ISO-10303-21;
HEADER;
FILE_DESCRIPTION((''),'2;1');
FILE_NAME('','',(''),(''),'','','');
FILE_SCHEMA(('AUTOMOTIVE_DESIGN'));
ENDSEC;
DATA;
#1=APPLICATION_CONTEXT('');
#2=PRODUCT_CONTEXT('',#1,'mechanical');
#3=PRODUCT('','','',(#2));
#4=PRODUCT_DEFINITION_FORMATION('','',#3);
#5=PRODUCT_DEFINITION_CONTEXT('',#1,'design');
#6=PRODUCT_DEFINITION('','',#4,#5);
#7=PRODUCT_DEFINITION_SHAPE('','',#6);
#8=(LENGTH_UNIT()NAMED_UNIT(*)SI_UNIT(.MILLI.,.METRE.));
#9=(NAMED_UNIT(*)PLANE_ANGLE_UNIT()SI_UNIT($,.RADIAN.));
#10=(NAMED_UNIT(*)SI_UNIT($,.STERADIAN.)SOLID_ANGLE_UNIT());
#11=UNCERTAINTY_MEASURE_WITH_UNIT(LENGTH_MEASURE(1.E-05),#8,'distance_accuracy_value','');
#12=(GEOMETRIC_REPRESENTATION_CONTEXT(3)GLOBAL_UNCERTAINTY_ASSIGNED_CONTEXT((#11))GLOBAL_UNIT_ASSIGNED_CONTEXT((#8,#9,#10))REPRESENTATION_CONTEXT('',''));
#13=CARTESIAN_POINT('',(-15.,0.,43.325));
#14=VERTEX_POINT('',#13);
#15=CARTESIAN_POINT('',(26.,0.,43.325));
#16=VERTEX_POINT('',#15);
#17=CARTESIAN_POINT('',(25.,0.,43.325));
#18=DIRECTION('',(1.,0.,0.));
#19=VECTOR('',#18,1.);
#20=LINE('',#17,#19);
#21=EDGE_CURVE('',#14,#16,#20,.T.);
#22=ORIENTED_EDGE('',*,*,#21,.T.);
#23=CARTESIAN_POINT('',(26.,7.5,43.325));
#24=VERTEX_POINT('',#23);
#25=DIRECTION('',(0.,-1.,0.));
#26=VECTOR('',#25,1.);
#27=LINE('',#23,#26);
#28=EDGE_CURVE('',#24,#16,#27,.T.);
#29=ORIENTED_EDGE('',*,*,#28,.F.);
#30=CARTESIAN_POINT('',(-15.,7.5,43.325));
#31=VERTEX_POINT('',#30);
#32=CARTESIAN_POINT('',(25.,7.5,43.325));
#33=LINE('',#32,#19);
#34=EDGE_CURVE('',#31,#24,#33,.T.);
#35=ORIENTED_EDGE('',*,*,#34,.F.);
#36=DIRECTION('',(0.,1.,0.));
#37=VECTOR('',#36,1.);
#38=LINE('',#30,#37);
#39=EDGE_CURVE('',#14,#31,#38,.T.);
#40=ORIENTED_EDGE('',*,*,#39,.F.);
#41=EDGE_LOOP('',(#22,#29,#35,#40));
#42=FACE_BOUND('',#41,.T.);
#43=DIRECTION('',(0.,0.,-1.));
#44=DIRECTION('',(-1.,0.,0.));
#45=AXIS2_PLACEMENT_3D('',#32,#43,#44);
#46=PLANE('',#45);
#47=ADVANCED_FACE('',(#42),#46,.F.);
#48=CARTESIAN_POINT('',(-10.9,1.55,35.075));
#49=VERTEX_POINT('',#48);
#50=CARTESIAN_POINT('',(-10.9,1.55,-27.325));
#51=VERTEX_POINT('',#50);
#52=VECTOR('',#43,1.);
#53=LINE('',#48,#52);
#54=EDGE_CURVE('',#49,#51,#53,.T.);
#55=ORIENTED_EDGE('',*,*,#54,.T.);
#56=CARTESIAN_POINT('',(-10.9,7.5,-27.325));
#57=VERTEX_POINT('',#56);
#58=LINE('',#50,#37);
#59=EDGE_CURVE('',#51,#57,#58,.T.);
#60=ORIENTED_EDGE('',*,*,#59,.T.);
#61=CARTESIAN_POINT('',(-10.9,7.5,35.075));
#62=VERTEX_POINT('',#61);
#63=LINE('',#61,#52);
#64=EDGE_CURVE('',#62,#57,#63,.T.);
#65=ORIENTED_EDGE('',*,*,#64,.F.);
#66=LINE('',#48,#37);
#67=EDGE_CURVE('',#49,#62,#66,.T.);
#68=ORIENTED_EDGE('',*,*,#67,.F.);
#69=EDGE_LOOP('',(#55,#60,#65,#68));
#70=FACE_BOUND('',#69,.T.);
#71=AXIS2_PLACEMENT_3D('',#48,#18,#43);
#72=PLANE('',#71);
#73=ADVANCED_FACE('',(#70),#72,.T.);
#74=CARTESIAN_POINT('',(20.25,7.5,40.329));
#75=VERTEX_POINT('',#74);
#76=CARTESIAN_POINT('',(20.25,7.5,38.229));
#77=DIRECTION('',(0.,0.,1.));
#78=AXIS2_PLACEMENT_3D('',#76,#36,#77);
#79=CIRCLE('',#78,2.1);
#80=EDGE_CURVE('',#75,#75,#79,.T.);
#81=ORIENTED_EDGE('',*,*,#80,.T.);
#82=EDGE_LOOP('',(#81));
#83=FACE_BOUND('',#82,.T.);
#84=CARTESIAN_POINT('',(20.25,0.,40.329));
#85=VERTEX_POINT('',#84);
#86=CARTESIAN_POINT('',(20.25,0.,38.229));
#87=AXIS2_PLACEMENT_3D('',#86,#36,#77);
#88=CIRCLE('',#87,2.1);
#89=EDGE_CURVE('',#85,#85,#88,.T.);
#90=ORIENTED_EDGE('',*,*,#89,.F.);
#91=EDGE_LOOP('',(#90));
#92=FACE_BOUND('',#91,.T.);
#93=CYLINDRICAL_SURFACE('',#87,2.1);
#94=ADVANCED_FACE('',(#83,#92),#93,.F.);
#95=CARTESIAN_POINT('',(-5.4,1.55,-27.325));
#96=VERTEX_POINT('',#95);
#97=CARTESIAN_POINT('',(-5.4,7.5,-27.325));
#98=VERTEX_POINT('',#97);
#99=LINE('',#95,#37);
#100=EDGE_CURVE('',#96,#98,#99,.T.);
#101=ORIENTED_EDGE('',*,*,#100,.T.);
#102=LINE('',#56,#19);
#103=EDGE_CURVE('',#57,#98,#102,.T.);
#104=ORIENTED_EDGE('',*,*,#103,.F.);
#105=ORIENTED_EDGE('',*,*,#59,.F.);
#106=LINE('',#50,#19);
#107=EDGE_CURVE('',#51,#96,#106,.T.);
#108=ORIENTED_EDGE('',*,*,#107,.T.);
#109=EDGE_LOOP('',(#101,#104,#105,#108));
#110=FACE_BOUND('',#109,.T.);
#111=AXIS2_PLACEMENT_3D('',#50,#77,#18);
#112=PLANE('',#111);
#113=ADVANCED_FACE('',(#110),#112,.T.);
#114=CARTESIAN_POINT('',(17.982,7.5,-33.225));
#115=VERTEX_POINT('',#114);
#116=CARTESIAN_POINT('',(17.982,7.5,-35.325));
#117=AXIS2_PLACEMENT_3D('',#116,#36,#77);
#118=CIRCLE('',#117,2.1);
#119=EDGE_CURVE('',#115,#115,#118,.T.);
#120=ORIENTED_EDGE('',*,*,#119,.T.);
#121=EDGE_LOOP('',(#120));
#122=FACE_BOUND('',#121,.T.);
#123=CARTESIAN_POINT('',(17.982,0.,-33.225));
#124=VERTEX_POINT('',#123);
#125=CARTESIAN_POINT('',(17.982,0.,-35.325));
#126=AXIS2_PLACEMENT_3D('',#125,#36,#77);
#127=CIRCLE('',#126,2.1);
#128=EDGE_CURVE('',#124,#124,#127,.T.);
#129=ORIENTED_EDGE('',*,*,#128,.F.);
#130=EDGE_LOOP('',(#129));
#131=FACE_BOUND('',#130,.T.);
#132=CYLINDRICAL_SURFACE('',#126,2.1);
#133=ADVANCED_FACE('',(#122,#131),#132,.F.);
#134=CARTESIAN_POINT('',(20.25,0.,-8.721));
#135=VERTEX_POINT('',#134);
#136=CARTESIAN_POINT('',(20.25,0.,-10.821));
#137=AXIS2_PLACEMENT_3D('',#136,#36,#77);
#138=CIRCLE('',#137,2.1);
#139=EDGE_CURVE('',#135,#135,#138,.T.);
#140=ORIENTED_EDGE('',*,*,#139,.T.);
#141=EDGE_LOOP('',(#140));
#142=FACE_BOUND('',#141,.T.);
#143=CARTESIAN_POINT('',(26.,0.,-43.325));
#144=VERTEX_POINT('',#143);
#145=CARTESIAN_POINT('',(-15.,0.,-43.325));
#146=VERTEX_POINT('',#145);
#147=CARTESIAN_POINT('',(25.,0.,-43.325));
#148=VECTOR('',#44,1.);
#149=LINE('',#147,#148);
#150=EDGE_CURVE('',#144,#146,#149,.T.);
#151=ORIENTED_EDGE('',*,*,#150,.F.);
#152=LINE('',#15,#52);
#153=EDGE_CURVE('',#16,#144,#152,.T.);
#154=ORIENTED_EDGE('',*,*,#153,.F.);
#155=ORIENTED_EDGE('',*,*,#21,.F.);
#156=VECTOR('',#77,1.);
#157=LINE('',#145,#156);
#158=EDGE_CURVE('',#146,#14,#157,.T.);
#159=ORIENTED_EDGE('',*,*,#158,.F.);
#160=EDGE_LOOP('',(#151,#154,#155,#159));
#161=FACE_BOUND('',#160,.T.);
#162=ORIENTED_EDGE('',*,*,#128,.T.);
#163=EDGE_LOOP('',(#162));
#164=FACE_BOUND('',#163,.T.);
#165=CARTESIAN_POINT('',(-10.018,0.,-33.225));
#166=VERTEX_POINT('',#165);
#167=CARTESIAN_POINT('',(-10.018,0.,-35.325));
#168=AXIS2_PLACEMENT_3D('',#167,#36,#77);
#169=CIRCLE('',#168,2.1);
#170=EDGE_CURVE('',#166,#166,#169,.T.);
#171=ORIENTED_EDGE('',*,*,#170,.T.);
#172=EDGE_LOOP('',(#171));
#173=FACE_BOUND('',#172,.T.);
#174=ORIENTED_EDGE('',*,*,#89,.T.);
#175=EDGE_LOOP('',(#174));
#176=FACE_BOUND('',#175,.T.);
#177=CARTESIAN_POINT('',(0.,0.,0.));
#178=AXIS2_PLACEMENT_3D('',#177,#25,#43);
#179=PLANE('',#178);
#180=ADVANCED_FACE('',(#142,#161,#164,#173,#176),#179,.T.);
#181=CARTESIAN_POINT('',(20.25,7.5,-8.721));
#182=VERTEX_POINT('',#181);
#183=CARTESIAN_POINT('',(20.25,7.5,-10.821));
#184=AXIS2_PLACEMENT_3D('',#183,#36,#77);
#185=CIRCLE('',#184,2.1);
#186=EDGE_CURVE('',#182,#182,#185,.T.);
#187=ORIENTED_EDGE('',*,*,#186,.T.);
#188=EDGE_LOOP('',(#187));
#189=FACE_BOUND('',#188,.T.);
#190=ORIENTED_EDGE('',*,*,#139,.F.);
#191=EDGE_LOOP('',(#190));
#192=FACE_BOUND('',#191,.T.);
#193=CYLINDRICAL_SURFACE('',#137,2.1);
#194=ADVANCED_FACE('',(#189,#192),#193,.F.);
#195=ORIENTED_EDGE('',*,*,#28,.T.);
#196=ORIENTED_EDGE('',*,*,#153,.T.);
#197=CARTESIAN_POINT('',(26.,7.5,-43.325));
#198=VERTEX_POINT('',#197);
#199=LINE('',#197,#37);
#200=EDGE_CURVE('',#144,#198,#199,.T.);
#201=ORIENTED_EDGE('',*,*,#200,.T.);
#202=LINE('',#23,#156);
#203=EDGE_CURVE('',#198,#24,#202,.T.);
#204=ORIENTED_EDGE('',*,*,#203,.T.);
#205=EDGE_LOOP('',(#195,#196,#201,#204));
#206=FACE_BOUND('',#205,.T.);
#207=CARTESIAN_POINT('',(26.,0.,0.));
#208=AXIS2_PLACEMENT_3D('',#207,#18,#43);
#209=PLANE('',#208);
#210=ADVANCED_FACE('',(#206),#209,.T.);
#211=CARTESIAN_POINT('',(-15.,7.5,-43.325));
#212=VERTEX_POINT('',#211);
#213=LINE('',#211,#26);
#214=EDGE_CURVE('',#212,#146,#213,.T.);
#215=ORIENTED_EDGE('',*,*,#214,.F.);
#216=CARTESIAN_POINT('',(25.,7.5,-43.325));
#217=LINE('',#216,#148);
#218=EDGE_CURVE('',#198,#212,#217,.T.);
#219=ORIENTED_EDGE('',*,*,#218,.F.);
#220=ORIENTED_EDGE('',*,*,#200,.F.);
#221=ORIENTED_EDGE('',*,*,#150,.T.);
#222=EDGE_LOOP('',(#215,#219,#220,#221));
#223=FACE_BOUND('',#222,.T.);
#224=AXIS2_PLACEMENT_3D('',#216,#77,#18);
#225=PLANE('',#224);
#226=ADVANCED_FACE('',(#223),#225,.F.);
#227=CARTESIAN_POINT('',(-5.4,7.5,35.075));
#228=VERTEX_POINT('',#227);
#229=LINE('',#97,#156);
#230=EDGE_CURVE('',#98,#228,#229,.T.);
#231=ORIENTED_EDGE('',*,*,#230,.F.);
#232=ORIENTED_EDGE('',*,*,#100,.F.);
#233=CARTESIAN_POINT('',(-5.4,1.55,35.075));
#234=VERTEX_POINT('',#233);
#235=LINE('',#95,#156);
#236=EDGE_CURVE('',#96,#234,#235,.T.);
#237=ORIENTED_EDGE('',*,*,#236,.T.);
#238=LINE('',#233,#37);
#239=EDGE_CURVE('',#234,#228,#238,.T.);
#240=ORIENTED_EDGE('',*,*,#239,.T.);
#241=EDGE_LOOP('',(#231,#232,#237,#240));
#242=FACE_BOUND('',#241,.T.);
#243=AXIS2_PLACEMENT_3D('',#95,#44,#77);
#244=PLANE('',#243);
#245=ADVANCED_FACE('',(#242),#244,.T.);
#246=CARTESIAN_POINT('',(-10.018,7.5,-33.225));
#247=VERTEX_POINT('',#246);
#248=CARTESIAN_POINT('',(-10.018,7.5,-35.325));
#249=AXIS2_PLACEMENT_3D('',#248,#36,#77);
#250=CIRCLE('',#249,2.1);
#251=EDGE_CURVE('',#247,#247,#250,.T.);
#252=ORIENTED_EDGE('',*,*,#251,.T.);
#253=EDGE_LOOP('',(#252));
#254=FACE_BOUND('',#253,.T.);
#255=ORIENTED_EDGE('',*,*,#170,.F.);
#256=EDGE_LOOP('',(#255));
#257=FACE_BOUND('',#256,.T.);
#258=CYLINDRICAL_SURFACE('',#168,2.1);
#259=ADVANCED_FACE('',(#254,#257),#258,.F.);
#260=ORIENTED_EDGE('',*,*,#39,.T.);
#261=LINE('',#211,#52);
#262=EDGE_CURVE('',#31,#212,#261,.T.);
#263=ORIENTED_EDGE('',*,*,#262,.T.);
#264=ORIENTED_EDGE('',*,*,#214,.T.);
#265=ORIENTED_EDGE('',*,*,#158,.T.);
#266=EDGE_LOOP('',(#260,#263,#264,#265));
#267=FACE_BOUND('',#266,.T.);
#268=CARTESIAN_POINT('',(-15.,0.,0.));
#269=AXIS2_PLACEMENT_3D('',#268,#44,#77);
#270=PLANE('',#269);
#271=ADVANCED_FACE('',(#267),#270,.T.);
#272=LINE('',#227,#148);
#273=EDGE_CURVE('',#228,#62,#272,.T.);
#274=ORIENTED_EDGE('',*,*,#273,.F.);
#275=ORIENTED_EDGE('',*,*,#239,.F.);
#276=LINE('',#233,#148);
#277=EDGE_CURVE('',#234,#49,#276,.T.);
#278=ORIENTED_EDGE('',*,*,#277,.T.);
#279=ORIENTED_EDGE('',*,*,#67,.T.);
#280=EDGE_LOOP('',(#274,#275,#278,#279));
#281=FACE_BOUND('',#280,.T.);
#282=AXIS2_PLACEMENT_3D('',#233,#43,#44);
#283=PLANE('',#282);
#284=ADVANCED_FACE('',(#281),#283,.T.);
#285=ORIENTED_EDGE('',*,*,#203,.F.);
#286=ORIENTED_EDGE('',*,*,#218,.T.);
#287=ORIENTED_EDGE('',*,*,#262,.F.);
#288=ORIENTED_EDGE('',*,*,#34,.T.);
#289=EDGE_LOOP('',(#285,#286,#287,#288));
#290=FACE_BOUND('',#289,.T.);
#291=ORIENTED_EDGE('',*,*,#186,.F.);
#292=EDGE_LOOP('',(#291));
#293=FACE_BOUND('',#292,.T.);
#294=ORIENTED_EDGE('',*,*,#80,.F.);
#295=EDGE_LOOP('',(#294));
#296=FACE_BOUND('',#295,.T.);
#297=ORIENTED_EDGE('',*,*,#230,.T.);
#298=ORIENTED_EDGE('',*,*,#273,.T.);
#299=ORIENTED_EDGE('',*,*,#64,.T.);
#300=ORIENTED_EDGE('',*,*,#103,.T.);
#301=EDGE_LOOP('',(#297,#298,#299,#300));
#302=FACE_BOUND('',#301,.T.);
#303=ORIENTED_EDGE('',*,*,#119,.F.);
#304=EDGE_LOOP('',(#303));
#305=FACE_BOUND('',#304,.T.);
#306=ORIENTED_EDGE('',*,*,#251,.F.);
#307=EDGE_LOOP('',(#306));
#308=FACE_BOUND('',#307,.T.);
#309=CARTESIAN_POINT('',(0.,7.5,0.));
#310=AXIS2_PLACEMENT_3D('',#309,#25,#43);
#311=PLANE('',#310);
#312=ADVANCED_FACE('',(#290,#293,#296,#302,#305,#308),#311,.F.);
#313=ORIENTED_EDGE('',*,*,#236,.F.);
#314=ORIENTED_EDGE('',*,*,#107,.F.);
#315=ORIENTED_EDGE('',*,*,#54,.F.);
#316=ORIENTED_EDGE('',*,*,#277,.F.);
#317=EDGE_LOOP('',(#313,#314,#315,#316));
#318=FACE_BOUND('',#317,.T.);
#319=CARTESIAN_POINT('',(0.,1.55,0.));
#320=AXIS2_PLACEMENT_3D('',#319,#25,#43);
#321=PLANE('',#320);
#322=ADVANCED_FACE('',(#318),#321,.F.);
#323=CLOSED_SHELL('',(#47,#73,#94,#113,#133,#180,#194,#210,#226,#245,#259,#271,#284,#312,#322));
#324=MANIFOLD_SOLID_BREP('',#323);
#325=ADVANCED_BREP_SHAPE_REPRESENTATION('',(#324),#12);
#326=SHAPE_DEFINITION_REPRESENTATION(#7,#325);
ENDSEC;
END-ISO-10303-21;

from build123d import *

# Parameters (mm, degrees)
SKETCH1_W           = 50
SKETCH1_H           = 86.65
BOSS_EXTRUDE1_DEPTH = 7.5
SKETCH7_W           = 5.5
SKETCH7_H           = 62.4
CUT_EXTRUDE5_DEPTH  = 5.95
SKETCH11_R          = 2.1
CUT_EXTRUDE8_DEPTH  = 8.5
SKETCH12_R          = 2.1
CUT_EXTRUDE10_DEPTH = 8.5
SKETCH13_W          = 86.65
SKETCH13_H          = 7.5
BOSS_EXTRUDE2_DEPTH = 1
SKETCH14_W          = 86.65
SKETCH14_H          = 7.5
CUT_EXTRUDE11_DEPTH = 10


with BuildPart() as part:
    # Sketch1 → Boss-Extrude1 (new body)
    with BuildSketch(Plane(origin=(0, 0, 0), x_dir=(1, 0, 0), z_dir=(0, 1, 0))):
        Rectangle(SKETCH1_W, SKETCH1_H)
    extrude(amount=BOSS_EXTRUDE1_DEPTH)

    # Sketch7 → Cut-Extrude5 (cut)
    with BuildSketch(Plane(origin=(0, 7.5, 0), x_dir=(1, 0, 0), z_dir=(0, 1, 0))):
        with Locations((-8.15, -3.875)):
            Rectangle(SKETCH7_W, SKETCH7_H)
    extrude(amount=-CUT_EXTRUDE5_DEPTH, mode=Mode.SUBTRACT)

    # Sketch11 → Cut-Extrude8 (cut, through all)
    with BuildSketch(Plane(origin=(0, 7.5, 0), x_dir=(1, 0, 0), z_dir=(0, 1, 0))):
        with Locations((17.982, 35.325)):
            Circle(SKETCH11_R)
        with Locations((-10.018, 35.325)):
            Circle(SKETCH11_R)
    extrude(amount=-CUT_EXTRUDE8_DEPTH, mode=Mode.SUBTRACT)

    # Sketch12 → Cut-Extrude10 (cut, through all)
    with BuildSketch(Plane(origin=(0, 7.5, 0), x_dir=(1, 0, 0), z_dir=(0, 1, 0))):
        with Locations((20.25, 10.821)):
            Circle(SKETCH12_R)
        with Locations((20.25, -38.229)):
            Circle(SKETCH12_R)
    extrude(amount=-CUT_EXTRUDE10_DEPTH, mode=Mode.SUBTRACT)

    # Sketch13 → Boss-Extrude2 (add)
    with BuildSketch(Plane(origin=(25, 0, 0), x_dir=(0, 0, -1), z_dir=(1, 0, 0))):
        with Locations((0, 3.75)):
            Rectangle(SKETCH13_W, SKETCH13_H)
    extrude(amount=BOSS_EXTRUDE2_DEPTH)

    # Sketch14 → Cut-Extrude11 (cut)
    with BuildSketch(Plane.ZY.offset(25)):
        with Locations((0, 3.75)):
            Rectangle(SKETCH14_W, SKETCH14_H)
    extrude(amount=-CUT_EXTRUDE11_DEPTH, mode=Mode.SUBTRACT)


solid = part.part
